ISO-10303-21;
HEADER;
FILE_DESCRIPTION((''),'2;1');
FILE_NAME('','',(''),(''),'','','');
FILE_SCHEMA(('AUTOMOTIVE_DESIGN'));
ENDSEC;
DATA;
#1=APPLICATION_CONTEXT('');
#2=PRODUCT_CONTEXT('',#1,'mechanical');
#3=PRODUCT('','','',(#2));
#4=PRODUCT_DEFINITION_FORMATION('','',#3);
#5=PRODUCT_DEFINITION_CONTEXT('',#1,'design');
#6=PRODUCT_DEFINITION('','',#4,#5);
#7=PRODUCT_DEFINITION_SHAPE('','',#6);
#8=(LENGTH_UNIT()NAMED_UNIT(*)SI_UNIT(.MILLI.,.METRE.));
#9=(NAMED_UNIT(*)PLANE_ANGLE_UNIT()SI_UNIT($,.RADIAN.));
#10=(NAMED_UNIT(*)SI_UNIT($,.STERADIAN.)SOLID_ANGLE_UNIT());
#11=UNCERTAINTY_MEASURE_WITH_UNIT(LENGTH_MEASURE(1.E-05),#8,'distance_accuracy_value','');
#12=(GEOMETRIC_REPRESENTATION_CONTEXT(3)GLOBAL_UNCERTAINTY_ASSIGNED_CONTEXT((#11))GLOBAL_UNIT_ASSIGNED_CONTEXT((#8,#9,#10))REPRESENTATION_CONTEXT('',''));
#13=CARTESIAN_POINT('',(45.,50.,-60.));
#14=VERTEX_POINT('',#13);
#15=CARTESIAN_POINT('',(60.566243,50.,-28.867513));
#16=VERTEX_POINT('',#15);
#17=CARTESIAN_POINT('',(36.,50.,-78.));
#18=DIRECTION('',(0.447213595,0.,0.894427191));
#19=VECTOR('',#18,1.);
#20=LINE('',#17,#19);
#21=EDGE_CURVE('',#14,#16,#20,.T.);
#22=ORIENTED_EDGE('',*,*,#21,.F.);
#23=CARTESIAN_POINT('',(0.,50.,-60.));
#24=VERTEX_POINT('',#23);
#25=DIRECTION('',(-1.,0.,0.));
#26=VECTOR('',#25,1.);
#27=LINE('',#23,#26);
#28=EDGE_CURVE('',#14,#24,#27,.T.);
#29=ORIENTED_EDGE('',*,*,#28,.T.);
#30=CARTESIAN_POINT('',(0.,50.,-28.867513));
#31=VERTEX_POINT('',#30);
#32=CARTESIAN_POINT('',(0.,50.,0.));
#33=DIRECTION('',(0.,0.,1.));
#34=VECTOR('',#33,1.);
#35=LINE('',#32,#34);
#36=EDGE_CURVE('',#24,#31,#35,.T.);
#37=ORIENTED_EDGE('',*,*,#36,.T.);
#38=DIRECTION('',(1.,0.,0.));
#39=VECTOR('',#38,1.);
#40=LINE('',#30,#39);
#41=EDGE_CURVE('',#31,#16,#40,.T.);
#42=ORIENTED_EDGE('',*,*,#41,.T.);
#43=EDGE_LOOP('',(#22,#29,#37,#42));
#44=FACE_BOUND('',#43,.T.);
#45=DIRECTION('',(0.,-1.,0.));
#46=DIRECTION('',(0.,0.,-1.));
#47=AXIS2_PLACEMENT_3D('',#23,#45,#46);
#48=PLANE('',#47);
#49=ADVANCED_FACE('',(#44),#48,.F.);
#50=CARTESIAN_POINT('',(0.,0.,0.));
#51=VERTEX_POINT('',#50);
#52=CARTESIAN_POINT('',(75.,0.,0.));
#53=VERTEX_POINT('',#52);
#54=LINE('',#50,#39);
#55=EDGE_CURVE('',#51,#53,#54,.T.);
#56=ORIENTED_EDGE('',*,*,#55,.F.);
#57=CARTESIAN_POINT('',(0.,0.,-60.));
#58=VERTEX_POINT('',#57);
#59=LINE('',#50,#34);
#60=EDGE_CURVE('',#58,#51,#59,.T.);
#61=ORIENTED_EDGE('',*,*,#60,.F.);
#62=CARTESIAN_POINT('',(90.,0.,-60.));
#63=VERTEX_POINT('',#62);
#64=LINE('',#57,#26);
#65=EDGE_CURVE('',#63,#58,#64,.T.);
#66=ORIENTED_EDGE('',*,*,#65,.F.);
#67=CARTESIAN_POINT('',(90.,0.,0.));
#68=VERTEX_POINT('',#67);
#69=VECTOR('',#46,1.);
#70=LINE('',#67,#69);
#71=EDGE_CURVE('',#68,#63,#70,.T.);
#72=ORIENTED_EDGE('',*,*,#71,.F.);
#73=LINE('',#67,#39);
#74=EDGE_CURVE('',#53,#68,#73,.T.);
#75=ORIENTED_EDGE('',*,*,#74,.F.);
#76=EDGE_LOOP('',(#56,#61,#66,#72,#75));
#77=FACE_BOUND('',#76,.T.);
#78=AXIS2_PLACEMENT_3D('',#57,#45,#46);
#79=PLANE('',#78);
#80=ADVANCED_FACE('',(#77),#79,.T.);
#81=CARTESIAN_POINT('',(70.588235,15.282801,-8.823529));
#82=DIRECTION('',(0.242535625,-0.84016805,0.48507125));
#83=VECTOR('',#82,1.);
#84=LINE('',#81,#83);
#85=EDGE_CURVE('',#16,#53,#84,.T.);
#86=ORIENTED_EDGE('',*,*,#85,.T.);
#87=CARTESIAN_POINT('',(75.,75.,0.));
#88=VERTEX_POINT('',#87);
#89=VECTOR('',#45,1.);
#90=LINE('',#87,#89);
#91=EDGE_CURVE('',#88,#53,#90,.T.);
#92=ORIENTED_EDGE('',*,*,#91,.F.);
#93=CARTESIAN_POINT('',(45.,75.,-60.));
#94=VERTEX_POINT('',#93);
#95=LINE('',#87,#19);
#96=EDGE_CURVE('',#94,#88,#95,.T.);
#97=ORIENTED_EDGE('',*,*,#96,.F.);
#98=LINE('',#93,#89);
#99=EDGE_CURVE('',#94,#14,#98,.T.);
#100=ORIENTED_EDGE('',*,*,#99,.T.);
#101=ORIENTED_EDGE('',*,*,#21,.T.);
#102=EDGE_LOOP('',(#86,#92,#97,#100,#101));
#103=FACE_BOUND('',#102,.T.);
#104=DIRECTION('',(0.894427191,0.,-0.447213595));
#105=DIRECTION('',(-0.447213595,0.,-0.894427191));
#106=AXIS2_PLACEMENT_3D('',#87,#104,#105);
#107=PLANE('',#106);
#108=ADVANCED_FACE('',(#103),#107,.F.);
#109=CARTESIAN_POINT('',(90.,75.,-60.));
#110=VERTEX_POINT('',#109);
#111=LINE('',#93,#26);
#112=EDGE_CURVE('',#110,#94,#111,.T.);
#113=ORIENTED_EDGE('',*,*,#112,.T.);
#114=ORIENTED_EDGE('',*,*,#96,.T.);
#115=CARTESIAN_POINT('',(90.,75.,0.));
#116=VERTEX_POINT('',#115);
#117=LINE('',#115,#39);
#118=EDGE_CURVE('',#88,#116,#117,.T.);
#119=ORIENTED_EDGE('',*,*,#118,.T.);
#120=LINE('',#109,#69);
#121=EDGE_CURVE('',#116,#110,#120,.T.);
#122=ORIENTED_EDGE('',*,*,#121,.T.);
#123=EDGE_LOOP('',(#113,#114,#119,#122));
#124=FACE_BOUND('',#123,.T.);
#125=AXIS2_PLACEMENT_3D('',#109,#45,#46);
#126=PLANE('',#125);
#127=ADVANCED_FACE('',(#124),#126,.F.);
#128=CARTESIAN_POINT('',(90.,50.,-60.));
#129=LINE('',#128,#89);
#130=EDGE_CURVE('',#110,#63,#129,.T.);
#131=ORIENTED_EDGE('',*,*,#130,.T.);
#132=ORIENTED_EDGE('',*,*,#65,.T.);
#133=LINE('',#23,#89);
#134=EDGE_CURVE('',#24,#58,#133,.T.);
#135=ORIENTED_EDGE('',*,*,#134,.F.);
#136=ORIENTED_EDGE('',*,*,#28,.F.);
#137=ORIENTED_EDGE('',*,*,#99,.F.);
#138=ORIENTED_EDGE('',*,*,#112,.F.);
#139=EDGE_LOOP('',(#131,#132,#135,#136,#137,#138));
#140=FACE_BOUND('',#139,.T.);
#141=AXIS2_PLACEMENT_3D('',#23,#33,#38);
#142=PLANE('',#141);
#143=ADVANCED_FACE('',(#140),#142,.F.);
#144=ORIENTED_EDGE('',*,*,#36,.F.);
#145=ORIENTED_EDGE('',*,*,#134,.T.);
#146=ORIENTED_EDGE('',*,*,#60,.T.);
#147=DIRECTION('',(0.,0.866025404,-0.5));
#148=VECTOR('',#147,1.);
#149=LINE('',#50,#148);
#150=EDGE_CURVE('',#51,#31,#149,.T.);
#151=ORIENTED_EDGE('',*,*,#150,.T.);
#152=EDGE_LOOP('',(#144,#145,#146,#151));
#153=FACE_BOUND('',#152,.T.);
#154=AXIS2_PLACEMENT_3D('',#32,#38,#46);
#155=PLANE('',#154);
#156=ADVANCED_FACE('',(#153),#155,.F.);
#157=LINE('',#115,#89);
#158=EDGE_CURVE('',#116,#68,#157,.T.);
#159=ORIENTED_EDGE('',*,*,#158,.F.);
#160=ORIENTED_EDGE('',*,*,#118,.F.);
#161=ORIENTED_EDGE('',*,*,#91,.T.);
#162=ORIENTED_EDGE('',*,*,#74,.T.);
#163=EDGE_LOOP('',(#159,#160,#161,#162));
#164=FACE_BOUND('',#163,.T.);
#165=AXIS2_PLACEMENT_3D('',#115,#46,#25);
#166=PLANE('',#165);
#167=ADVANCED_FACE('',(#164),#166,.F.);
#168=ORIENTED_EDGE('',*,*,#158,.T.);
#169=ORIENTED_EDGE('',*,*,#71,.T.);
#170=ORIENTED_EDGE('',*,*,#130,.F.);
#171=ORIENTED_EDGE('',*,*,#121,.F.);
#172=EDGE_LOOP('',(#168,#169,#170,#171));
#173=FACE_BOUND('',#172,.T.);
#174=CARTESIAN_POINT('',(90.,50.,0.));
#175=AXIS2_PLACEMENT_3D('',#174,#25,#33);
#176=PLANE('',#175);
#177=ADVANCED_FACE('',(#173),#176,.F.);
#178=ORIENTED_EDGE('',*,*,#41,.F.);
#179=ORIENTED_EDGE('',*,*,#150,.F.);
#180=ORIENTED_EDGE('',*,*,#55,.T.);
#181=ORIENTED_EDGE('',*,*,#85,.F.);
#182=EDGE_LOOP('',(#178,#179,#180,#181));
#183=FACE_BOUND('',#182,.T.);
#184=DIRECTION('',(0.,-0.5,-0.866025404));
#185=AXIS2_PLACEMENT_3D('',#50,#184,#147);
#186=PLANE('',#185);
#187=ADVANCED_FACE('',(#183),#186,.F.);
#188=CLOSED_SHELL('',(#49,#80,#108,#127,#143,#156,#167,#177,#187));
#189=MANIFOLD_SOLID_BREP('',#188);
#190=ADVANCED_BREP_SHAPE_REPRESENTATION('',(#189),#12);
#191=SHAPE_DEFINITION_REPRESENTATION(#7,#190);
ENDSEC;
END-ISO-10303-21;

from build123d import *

# Parameters (mm, degrees)
SKETCH1_W      = 90
SKETCH1_H      = 60
EXTRUDE1_DEPTH = 50
EXTRUDE2_DEPTH = 91
EXTRUDE3_DEPTH = 75


with BuildPart() as part:
    # Sketch1 → Extrude1 (new body)
    with BuildSketch(Plane(origin=(0, 0, 0), x_dir=(1, 0, 0), z_dir=(0, 1, 0))):
        with Locations((45, 30)):
            Rectangle(SKETCH1_W, SKETCH1_H)
    extrude(amount=EXTRUDE1_DEPTH)

    # Sketch2 → Extrude2 (cut, through all)
    with BuildSketch(Plane(origin=(90, 0, 0), x_dir=(0, 0, -1), z_dir=(1, 0, 0))):
        Polygon((0, 0), (28.867513459, 50), (0, 50), align=None)
    extrude(amount=-EXTRUDE2_DEPTH, mode=Mode.SUBTRACT)

    # Sketch3 → Extrude3 (add)
    with BuildSketch(Plane(origin=(0, 0, 0), x_dir=(1, 0, 0), z_dir=(0, 1, 0))):
        Polygon((90, 60), (90, 0), (75, 0), (45, 60), align=None)
    extrude(amount=EXTRUDE3_DEPTH)


solid = part.part
